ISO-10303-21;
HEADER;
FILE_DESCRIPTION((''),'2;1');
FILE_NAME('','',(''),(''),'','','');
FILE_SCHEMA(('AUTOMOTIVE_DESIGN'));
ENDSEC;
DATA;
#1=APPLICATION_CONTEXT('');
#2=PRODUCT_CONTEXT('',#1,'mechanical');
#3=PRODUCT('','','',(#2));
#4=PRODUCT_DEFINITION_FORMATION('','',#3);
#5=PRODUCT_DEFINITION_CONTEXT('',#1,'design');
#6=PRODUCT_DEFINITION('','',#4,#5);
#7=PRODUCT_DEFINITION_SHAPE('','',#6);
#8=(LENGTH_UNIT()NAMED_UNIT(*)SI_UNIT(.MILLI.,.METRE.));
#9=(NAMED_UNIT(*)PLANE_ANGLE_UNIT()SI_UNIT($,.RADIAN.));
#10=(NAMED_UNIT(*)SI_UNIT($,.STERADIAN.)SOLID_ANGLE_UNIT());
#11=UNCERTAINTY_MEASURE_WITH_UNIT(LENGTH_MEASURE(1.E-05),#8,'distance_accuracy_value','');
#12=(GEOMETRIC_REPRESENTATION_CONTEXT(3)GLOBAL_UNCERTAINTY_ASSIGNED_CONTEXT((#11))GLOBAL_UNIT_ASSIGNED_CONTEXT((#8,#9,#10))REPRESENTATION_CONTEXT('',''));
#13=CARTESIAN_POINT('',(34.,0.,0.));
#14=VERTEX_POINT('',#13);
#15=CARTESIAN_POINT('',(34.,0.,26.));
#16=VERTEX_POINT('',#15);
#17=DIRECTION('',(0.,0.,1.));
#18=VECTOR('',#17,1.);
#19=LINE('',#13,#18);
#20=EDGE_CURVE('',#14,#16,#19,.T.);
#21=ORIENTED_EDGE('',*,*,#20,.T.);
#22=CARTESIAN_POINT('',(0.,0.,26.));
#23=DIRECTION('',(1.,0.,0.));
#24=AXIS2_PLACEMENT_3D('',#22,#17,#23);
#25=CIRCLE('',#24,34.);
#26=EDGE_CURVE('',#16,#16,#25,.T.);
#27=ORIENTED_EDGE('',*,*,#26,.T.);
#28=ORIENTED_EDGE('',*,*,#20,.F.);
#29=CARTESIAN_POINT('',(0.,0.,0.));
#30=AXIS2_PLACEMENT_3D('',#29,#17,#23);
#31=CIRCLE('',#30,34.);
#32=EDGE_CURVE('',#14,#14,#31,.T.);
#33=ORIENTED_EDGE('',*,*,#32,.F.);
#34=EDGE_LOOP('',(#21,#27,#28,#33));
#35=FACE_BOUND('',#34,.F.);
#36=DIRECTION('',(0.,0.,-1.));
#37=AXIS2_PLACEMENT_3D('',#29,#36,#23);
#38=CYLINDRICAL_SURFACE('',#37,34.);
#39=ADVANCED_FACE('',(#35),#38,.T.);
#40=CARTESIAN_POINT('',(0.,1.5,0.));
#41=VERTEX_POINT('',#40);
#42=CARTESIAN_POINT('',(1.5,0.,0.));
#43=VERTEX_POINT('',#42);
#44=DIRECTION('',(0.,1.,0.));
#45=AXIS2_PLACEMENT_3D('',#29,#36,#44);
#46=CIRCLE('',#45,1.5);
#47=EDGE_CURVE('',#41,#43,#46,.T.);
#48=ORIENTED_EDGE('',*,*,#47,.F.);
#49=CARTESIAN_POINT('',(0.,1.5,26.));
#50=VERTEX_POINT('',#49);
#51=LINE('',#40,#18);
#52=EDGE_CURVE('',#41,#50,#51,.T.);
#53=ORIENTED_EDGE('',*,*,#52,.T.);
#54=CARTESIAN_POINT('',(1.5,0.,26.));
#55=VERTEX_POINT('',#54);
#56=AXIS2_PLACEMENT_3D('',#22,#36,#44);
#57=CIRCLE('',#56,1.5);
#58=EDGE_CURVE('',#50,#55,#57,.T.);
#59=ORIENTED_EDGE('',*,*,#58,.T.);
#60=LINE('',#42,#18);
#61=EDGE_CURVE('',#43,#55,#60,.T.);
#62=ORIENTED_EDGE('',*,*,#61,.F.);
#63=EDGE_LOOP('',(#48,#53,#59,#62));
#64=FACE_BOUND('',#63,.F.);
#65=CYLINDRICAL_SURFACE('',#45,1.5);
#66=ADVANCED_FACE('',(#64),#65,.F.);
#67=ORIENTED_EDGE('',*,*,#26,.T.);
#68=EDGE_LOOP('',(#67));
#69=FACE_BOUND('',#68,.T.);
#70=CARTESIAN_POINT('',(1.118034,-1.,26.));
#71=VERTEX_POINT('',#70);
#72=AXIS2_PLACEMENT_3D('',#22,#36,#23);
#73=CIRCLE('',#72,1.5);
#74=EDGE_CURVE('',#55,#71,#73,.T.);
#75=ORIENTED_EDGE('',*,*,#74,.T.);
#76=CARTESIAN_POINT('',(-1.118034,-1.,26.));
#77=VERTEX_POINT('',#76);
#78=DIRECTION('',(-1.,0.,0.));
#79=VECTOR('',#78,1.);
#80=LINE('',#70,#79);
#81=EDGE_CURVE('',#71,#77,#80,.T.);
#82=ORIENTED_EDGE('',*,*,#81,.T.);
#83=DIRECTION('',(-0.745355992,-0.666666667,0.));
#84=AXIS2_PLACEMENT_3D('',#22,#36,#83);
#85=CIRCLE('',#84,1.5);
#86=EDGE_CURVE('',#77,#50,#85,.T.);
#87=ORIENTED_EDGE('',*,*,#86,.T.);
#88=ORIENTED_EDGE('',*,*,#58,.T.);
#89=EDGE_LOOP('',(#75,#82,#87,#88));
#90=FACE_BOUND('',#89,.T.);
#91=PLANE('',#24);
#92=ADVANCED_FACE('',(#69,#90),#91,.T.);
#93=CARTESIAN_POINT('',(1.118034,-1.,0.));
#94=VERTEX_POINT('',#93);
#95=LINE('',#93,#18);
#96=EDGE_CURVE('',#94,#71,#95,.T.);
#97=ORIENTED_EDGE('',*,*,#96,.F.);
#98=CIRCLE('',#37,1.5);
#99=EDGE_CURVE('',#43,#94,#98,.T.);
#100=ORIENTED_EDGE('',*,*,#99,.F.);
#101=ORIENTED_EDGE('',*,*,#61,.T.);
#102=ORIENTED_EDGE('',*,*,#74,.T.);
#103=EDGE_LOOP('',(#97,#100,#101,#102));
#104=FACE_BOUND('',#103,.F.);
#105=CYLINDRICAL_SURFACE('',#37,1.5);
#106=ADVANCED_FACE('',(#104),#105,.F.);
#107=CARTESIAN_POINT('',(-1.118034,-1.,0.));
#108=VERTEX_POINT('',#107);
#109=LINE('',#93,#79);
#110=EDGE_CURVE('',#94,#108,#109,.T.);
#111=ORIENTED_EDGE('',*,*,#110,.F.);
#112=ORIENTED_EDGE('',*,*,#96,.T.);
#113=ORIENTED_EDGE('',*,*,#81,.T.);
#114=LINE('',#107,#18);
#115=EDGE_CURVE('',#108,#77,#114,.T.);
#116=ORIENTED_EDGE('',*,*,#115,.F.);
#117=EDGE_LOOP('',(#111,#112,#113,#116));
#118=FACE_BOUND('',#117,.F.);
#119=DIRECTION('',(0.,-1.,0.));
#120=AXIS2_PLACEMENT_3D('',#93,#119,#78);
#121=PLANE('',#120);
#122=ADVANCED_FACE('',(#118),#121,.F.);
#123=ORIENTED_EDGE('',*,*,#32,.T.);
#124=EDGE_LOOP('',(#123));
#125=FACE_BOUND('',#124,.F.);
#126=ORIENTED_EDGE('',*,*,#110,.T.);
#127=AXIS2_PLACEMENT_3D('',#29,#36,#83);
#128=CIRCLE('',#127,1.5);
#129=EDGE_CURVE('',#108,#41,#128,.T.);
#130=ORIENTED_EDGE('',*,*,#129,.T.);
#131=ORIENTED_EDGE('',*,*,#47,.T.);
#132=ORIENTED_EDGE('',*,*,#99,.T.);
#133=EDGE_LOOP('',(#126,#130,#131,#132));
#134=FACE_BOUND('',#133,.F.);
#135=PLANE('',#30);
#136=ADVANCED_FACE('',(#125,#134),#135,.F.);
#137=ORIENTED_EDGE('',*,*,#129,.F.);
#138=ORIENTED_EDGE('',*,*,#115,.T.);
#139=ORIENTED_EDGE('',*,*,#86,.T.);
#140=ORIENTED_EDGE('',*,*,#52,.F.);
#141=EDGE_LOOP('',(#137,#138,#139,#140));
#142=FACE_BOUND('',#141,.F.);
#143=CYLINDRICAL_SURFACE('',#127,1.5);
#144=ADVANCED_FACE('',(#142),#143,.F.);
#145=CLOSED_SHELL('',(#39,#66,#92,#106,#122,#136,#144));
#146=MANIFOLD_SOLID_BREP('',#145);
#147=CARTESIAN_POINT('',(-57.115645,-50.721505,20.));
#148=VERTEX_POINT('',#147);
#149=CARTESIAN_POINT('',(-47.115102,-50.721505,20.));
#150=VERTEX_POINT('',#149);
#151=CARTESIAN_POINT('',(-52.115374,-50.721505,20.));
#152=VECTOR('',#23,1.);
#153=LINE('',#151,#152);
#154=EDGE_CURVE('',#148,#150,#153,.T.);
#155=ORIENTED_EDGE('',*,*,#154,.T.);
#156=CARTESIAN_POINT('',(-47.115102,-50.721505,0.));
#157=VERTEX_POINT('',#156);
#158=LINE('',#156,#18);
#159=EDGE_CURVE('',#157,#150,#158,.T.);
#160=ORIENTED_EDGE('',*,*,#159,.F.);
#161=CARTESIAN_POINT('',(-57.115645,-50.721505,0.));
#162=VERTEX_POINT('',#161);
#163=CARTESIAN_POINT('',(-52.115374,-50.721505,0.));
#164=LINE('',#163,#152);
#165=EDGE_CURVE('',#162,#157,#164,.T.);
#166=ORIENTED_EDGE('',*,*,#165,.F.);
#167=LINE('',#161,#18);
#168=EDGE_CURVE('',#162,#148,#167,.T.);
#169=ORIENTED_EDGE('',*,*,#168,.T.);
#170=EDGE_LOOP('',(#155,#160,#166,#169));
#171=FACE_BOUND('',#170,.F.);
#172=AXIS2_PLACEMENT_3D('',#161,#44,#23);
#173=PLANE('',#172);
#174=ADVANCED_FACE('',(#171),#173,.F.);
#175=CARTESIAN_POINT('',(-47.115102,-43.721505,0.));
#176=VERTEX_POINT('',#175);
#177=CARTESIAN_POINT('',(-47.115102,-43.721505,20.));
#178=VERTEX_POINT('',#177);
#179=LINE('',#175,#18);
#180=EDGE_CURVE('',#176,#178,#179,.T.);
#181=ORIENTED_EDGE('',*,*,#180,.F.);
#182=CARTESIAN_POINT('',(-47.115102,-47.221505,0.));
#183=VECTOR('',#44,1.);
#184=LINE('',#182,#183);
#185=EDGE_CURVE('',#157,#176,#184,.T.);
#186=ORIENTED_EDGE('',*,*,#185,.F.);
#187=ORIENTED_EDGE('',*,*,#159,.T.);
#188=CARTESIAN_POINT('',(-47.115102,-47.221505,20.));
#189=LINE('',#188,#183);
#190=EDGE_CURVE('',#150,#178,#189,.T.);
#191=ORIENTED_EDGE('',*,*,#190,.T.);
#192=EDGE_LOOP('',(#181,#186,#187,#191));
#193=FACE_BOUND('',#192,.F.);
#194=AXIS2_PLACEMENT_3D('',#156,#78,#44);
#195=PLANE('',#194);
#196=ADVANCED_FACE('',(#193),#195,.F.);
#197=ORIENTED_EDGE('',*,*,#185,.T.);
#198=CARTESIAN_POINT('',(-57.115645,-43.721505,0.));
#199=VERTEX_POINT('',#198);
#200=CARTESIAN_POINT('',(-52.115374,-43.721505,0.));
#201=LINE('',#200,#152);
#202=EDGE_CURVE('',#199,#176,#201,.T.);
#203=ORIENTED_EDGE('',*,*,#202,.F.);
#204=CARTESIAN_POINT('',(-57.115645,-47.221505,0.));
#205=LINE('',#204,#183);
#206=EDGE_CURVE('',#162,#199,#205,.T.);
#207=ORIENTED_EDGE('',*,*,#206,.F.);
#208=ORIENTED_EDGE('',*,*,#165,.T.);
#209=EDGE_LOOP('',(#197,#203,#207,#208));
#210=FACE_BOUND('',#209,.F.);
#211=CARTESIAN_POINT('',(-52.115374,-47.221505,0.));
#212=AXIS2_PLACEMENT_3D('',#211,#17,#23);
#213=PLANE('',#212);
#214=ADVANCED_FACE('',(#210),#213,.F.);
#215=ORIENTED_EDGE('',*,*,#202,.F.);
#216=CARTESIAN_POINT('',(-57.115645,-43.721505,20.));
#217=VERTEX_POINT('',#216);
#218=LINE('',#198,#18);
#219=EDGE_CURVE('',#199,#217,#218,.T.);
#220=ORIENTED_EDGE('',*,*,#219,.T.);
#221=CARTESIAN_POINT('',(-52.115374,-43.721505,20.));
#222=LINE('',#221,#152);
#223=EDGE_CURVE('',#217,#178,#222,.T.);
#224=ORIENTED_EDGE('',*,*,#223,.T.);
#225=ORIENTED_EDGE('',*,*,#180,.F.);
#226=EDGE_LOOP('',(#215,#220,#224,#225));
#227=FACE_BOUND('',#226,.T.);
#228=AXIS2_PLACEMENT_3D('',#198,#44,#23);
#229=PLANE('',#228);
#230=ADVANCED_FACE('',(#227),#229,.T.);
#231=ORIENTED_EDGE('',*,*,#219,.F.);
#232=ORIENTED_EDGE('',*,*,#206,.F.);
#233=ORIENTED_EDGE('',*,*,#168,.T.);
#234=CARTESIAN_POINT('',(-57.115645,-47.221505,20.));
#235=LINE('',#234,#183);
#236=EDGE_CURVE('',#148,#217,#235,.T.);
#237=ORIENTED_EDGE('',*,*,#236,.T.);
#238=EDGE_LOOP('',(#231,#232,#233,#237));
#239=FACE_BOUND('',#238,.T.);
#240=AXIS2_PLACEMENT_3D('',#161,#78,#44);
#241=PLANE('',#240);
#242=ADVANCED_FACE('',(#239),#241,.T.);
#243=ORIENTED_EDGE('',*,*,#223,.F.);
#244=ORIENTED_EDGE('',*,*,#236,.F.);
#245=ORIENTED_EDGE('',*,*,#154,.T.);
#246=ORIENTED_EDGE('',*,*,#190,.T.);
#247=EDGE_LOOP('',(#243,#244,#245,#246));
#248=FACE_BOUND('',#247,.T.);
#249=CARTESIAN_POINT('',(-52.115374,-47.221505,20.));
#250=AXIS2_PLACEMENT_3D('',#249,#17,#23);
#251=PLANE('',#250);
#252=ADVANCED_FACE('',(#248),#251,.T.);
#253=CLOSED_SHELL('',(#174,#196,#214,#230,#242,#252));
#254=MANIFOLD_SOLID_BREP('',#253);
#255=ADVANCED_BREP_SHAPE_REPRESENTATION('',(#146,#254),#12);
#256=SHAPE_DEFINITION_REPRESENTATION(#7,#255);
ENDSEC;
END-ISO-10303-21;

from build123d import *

# Parameters (mm, degrees)
F0_R     = 34
F1_DEPTH = 26
F2_W     = 10.0005424353
F2_H     = 7
F3_DEPTH = 20


with BuildPart() as f1:
    # F0 (on Top) → F1 (new body)
    with BuildSketch(Plane.XY):
        Circle(F0_R)
        with BuildLine():
            ThreePointArc((0, 1.5), (1.0606601718, 1.0606601718), (1.5, 0))
            ThreePointArc((1.5, 0), (1.4012585384, -0.5352331347), (1.1180339887, -1))
            ThreePointArc((1.1180339887, -1), (0.6123724357, -1.3693063938), (0, -1.5))
            ThreePointArc((0, -1.5), (-0.6123724357, -1.3693063938), (-1.1180339887, -1))
            ThreePointArc((-1.1180339887, -1), (-1.3693063938, 0.6123724357), (0, 1.5))
        make_face(mode=Mode.SUBTRACT)
        with BuildLine():
            Line((0, -1), (-1.1180339887, -1))
            ThreePointArc((-1.1180339887, -1), (-0.6123724357, -1.3693063938), (0, -1.5))
            Line((0, -1.5), (0, -1))
        make_face()
        with BuildLine():
            ThreePointArc((0, -1.5), (0.6123724357, -1.3693063938), (1.1180339887, -1))
            Line((1.1180339887, -1), (0, -1))
            Line((0, -1), (0, -1.5))
        make_face()
    extrude(amount=F1_DEPTH)


with BuildPart() as f3:
    # F2 (on Top) → F3 (new body)
    with BuildSketch(Plane.XY):
        with Locations((-52.1153736978, -47.2215054602)):
            Rectangle(F2_W, F2_H)
    extrude(amount=F3_DEPTH)


solid = Compound([f1.part, f3.part])
